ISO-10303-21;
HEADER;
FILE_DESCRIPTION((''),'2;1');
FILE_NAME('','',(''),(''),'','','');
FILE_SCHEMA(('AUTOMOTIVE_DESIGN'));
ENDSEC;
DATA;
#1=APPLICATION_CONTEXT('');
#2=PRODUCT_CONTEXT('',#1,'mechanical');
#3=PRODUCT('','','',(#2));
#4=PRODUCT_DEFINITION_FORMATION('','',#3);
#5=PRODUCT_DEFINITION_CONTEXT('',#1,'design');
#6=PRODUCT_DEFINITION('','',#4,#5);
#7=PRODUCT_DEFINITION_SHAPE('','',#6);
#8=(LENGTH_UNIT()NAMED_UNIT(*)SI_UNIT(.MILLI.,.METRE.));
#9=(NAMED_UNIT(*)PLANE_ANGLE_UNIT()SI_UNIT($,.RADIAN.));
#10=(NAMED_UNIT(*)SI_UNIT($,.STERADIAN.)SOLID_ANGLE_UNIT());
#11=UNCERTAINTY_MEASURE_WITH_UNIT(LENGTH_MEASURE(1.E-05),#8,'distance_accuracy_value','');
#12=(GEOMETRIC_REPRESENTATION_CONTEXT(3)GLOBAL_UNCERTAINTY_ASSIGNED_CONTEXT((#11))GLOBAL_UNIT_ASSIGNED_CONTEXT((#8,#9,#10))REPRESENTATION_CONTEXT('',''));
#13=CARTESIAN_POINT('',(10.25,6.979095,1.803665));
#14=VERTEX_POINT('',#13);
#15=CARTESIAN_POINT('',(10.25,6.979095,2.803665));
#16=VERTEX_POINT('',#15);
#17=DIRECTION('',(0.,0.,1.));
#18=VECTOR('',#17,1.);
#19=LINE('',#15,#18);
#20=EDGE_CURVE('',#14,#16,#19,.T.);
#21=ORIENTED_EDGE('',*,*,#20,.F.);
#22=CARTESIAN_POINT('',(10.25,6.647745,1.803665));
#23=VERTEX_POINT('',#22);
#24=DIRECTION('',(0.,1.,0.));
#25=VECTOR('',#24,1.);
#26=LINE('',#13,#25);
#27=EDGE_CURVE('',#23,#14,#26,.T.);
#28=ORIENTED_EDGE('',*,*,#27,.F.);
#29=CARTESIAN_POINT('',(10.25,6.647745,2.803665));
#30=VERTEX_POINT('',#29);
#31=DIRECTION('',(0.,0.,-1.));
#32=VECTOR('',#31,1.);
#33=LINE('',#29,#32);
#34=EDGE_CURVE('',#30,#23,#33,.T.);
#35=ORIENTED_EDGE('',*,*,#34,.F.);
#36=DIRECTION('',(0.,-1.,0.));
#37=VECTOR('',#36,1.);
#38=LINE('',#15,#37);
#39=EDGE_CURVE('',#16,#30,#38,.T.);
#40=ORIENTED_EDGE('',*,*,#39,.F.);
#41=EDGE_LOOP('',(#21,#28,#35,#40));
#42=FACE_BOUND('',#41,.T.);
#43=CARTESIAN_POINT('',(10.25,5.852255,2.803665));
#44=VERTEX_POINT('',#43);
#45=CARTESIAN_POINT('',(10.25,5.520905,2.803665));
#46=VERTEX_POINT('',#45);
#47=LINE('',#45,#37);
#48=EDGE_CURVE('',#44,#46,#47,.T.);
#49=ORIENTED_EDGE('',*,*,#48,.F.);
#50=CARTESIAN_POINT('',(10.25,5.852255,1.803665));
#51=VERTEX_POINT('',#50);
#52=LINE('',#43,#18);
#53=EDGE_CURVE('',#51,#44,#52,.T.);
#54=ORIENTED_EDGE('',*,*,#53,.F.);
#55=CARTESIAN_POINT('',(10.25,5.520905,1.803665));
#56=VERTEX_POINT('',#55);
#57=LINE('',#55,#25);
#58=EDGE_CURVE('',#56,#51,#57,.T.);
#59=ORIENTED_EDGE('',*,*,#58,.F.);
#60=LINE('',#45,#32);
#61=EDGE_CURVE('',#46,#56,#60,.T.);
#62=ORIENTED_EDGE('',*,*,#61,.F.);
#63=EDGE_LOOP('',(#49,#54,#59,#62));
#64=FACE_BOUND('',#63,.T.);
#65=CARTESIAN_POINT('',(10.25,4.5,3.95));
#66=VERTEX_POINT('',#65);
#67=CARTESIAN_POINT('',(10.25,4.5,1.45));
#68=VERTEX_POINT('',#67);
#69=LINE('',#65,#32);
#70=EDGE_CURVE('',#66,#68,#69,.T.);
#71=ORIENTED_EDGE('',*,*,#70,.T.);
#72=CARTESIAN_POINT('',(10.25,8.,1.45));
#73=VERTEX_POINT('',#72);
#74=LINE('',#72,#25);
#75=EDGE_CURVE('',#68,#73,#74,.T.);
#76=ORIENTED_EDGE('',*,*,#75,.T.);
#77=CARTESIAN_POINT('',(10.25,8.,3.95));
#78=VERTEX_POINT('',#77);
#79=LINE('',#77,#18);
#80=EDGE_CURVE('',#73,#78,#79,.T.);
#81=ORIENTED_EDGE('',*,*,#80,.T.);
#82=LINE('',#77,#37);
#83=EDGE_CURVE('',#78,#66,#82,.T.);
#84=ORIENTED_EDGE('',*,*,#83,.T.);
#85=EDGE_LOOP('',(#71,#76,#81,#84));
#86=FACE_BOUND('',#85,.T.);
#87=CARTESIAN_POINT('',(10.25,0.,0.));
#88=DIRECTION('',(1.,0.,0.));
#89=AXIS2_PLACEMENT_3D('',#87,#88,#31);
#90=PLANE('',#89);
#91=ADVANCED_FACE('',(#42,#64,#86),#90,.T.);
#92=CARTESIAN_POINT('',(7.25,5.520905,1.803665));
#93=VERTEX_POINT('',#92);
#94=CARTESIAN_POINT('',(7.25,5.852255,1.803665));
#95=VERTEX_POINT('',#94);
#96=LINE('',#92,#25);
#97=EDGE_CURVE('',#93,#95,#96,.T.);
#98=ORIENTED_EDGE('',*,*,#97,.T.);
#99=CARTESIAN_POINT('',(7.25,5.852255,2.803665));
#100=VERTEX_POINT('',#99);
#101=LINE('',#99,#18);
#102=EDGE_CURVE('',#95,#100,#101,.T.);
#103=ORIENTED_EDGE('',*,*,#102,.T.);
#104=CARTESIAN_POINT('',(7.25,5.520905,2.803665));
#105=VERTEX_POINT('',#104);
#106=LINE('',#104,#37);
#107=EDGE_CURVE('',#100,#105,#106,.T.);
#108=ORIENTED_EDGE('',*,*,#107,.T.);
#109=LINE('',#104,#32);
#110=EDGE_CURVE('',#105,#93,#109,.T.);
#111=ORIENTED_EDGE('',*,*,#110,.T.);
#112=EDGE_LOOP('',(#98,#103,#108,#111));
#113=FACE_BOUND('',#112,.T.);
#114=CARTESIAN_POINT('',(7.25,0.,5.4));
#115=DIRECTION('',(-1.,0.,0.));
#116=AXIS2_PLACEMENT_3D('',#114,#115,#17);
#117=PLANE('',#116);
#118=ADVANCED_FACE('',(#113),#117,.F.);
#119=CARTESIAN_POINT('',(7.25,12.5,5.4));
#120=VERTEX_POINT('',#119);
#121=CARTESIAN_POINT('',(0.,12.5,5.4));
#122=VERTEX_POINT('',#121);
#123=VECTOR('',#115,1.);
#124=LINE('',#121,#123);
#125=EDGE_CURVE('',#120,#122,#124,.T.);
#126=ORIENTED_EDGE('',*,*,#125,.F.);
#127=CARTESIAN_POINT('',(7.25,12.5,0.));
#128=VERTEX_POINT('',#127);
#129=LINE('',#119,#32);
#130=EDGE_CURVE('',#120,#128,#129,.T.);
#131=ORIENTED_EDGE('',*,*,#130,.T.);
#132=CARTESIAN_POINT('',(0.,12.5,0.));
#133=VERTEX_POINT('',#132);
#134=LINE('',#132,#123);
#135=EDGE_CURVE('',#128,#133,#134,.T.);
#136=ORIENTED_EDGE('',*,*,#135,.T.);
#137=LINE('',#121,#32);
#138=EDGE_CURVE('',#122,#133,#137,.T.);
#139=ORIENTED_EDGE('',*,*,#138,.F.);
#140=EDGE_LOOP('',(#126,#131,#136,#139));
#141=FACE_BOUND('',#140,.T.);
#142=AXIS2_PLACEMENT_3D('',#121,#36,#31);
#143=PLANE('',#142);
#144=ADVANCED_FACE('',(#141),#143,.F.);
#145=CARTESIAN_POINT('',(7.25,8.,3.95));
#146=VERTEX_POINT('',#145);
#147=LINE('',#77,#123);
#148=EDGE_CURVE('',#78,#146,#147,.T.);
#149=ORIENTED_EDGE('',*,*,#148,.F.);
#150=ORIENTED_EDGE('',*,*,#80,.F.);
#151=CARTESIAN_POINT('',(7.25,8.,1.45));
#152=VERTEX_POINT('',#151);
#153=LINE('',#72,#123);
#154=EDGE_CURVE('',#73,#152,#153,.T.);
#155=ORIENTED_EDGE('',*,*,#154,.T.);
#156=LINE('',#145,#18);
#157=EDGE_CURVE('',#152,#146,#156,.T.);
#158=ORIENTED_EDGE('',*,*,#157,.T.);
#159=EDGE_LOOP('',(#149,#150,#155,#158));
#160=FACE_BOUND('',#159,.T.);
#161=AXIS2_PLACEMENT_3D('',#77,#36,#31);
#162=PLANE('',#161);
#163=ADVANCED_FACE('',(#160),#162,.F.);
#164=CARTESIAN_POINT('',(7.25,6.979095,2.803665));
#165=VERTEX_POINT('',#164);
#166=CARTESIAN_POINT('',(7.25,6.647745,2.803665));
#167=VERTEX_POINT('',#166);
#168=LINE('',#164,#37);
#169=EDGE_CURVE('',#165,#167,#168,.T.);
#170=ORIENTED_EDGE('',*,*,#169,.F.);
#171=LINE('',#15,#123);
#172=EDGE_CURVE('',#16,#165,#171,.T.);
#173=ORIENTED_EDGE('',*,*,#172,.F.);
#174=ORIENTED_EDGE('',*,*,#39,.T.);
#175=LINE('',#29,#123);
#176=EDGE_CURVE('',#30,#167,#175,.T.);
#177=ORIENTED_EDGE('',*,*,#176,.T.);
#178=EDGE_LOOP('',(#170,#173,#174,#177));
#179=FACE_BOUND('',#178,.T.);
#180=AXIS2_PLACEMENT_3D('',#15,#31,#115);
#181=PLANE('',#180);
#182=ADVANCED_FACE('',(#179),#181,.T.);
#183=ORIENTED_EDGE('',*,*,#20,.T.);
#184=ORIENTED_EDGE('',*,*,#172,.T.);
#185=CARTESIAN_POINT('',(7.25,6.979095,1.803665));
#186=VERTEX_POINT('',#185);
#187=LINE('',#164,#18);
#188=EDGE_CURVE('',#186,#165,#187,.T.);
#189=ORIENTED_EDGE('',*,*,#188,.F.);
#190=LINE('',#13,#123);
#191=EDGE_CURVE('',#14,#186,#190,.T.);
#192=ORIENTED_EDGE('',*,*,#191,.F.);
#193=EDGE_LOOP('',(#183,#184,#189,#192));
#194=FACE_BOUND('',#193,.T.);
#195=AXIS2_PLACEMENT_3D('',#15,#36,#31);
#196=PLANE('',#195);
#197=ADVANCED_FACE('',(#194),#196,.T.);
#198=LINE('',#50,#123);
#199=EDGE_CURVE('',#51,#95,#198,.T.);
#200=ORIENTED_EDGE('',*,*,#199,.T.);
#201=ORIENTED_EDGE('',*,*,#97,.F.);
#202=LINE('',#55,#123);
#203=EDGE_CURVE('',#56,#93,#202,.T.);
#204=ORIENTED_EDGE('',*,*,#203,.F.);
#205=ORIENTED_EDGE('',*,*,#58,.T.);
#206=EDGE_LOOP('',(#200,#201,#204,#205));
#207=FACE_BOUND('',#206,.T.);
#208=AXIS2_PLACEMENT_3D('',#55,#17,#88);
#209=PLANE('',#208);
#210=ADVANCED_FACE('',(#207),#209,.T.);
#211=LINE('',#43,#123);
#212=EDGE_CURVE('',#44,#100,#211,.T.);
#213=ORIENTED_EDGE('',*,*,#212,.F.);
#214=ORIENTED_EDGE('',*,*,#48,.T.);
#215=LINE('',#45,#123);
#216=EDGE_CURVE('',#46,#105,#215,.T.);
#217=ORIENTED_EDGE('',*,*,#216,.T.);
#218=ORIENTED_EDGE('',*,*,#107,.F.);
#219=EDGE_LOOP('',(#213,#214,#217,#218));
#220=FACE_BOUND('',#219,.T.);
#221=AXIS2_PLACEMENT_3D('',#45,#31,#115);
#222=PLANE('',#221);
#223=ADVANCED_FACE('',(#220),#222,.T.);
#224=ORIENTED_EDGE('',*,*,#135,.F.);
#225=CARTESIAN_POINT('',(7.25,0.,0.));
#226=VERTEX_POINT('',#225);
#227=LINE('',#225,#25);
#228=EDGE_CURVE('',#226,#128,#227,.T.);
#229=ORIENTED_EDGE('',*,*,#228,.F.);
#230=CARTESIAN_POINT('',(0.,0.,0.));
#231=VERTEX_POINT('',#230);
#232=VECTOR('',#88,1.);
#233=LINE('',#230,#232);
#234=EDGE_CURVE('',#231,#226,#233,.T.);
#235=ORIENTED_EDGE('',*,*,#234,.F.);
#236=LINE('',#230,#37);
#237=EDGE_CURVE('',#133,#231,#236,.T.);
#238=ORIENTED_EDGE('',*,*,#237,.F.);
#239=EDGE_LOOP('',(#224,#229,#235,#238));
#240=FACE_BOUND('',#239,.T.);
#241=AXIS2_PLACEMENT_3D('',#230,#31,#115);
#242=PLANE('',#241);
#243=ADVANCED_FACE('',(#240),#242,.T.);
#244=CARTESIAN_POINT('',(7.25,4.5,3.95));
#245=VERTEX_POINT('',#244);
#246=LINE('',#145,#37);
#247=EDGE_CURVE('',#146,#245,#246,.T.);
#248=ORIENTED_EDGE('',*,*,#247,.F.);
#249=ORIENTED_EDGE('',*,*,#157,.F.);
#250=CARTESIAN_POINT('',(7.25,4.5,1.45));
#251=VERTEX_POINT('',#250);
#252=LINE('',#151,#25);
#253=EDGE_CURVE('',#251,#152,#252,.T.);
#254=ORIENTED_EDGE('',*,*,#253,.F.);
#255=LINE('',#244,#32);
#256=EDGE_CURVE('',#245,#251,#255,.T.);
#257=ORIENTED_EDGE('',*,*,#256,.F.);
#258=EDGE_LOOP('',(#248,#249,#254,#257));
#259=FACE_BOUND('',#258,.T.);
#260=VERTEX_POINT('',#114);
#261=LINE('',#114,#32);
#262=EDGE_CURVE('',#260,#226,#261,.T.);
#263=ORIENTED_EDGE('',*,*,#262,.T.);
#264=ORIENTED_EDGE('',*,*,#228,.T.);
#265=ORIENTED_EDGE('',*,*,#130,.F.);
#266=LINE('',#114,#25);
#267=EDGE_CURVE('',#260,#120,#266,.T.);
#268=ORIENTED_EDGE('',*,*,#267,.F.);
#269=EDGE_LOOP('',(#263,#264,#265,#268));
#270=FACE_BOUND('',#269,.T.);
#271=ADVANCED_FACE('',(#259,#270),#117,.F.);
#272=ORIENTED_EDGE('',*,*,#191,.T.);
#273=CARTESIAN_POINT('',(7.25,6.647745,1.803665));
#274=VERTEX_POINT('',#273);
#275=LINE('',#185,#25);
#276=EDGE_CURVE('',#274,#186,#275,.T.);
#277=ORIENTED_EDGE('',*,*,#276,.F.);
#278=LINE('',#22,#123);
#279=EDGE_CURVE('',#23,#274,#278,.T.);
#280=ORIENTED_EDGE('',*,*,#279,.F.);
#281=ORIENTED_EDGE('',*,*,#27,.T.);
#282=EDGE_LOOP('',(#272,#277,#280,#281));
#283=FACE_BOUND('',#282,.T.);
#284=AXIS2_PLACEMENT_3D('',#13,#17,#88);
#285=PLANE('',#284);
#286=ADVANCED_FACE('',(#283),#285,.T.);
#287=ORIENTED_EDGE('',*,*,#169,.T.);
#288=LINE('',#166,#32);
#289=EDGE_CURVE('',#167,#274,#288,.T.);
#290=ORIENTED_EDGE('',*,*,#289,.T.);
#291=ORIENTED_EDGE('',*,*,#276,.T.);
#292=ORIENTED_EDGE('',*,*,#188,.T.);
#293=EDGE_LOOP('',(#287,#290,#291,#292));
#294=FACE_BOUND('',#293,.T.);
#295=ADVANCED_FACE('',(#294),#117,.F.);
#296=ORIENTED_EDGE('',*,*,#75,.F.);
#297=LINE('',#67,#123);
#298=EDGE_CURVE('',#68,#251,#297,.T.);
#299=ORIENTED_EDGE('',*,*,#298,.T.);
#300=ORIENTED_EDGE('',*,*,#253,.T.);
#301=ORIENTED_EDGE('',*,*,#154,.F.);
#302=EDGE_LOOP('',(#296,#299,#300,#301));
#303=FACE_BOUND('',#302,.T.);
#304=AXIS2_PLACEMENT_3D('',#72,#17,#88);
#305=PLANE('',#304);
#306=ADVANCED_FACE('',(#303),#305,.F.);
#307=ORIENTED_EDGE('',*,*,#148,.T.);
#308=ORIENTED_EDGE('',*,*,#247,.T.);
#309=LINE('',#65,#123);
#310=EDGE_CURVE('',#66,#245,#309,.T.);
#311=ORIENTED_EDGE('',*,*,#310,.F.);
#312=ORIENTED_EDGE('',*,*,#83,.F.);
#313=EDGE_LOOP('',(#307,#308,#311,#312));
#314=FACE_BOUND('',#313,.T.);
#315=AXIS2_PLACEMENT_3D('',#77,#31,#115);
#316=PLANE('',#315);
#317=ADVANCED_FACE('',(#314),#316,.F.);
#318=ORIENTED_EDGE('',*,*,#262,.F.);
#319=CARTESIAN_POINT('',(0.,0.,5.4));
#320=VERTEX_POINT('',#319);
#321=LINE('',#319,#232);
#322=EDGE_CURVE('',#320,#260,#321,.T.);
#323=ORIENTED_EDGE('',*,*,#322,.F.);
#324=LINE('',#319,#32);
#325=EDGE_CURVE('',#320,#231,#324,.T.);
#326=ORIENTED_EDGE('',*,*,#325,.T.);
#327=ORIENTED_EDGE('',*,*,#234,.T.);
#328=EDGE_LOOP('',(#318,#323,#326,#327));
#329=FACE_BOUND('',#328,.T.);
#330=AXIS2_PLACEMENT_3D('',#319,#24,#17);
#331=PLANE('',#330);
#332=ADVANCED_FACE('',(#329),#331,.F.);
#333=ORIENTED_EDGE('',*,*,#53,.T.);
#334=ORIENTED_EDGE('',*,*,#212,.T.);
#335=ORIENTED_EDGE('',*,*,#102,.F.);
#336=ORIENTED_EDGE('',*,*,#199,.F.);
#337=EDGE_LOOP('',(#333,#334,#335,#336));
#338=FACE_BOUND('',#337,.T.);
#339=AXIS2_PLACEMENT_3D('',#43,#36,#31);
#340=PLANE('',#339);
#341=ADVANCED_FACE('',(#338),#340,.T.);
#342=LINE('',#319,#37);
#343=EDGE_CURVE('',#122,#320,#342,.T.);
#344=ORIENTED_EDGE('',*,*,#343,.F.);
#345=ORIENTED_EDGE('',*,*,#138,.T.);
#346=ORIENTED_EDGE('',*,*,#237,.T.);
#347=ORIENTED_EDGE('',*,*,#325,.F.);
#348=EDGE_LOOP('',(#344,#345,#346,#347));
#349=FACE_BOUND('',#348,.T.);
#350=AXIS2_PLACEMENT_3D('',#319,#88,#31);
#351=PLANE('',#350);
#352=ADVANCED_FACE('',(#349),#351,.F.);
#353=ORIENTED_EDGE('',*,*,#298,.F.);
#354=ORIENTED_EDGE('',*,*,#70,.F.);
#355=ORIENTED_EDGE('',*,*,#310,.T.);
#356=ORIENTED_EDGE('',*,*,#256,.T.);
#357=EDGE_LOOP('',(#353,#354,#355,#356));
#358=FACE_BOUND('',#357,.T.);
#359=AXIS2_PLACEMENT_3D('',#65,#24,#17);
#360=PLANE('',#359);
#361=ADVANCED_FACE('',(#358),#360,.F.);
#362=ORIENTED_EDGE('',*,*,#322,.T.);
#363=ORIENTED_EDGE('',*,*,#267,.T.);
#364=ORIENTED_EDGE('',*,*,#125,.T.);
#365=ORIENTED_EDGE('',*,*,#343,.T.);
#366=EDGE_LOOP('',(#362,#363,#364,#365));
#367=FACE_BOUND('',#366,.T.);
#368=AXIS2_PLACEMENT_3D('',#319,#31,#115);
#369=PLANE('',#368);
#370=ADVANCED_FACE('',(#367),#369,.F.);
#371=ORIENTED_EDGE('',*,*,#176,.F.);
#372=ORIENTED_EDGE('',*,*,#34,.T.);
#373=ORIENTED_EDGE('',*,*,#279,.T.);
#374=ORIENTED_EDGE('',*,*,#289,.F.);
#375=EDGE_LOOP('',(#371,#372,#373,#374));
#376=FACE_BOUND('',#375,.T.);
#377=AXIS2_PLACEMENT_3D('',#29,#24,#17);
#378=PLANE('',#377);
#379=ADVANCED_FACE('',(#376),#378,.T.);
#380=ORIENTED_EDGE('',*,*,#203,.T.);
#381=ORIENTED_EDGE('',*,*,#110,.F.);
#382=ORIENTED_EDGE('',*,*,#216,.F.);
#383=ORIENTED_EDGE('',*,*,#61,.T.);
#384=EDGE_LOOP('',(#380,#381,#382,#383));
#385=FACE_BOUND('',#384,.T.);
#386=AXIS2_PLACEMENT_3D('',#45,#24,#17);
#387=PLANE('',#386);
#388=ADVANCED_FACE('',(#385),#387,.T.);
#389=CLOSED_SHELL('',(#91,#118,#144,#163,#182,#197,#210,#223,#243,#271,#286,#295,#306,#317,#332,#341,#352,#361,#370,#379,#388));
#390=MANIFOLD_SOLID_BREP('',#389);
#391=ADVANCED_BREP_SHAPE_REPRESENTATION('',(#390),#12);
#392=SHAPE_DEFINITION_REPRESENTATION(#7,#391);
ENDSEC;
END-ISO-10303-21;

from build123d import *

# Parameters (mm, degrees)
SKETCH1_W           = 7.25
SKETCH1_H           = 12.5
BOSS_EXTRUDE1_DEPTH = 5.4
SKETCH3_W           = 2.5
SKETCH3_H           = 3.5
SKETCH3_W_2         = 1
SKETCH3_H_2         = 0.331350256
BOSS_EXTRUDE2_DEPTH = 3


with BuildPart() as part:
    # Sketch1 → Boss-Extrude1 (new body)
    with BuildSketch(Plane.XY):
        with Locations((3.625, 6.25)):
            Rectangle(SKETCH1_W, SKETCH1_H)
    extrude(amount=BOSS_EXTRUDE1_DEPTH)

    # Sketch3 → Boss-Extrude2 (add)
    with BuildSketch(Plane(origin=(7.25, 0, 0), x_dir=(0, 0, -1), z_dir=(1, 0, 0))):
        with Locations((-2.7, 6.25)):
            Rectangle(SKETCH3_W, SKETCH3_H)
        with Locations((-2.303664878, 5.686580017)):
            Rectangle(SKETCH3_W_2, SKETCH3_H_2, mode=Mode.SUBTRACT)
        with Locations((-2.303664878, 6.813419983)):
            Rectangle(SKETCH3_W_2, SKETCH3_H_2, mode=Mode.SUBTRACT)
    extrude(amount=BOSS_EXTRUDE2_DEPTH)


solid = part.part
